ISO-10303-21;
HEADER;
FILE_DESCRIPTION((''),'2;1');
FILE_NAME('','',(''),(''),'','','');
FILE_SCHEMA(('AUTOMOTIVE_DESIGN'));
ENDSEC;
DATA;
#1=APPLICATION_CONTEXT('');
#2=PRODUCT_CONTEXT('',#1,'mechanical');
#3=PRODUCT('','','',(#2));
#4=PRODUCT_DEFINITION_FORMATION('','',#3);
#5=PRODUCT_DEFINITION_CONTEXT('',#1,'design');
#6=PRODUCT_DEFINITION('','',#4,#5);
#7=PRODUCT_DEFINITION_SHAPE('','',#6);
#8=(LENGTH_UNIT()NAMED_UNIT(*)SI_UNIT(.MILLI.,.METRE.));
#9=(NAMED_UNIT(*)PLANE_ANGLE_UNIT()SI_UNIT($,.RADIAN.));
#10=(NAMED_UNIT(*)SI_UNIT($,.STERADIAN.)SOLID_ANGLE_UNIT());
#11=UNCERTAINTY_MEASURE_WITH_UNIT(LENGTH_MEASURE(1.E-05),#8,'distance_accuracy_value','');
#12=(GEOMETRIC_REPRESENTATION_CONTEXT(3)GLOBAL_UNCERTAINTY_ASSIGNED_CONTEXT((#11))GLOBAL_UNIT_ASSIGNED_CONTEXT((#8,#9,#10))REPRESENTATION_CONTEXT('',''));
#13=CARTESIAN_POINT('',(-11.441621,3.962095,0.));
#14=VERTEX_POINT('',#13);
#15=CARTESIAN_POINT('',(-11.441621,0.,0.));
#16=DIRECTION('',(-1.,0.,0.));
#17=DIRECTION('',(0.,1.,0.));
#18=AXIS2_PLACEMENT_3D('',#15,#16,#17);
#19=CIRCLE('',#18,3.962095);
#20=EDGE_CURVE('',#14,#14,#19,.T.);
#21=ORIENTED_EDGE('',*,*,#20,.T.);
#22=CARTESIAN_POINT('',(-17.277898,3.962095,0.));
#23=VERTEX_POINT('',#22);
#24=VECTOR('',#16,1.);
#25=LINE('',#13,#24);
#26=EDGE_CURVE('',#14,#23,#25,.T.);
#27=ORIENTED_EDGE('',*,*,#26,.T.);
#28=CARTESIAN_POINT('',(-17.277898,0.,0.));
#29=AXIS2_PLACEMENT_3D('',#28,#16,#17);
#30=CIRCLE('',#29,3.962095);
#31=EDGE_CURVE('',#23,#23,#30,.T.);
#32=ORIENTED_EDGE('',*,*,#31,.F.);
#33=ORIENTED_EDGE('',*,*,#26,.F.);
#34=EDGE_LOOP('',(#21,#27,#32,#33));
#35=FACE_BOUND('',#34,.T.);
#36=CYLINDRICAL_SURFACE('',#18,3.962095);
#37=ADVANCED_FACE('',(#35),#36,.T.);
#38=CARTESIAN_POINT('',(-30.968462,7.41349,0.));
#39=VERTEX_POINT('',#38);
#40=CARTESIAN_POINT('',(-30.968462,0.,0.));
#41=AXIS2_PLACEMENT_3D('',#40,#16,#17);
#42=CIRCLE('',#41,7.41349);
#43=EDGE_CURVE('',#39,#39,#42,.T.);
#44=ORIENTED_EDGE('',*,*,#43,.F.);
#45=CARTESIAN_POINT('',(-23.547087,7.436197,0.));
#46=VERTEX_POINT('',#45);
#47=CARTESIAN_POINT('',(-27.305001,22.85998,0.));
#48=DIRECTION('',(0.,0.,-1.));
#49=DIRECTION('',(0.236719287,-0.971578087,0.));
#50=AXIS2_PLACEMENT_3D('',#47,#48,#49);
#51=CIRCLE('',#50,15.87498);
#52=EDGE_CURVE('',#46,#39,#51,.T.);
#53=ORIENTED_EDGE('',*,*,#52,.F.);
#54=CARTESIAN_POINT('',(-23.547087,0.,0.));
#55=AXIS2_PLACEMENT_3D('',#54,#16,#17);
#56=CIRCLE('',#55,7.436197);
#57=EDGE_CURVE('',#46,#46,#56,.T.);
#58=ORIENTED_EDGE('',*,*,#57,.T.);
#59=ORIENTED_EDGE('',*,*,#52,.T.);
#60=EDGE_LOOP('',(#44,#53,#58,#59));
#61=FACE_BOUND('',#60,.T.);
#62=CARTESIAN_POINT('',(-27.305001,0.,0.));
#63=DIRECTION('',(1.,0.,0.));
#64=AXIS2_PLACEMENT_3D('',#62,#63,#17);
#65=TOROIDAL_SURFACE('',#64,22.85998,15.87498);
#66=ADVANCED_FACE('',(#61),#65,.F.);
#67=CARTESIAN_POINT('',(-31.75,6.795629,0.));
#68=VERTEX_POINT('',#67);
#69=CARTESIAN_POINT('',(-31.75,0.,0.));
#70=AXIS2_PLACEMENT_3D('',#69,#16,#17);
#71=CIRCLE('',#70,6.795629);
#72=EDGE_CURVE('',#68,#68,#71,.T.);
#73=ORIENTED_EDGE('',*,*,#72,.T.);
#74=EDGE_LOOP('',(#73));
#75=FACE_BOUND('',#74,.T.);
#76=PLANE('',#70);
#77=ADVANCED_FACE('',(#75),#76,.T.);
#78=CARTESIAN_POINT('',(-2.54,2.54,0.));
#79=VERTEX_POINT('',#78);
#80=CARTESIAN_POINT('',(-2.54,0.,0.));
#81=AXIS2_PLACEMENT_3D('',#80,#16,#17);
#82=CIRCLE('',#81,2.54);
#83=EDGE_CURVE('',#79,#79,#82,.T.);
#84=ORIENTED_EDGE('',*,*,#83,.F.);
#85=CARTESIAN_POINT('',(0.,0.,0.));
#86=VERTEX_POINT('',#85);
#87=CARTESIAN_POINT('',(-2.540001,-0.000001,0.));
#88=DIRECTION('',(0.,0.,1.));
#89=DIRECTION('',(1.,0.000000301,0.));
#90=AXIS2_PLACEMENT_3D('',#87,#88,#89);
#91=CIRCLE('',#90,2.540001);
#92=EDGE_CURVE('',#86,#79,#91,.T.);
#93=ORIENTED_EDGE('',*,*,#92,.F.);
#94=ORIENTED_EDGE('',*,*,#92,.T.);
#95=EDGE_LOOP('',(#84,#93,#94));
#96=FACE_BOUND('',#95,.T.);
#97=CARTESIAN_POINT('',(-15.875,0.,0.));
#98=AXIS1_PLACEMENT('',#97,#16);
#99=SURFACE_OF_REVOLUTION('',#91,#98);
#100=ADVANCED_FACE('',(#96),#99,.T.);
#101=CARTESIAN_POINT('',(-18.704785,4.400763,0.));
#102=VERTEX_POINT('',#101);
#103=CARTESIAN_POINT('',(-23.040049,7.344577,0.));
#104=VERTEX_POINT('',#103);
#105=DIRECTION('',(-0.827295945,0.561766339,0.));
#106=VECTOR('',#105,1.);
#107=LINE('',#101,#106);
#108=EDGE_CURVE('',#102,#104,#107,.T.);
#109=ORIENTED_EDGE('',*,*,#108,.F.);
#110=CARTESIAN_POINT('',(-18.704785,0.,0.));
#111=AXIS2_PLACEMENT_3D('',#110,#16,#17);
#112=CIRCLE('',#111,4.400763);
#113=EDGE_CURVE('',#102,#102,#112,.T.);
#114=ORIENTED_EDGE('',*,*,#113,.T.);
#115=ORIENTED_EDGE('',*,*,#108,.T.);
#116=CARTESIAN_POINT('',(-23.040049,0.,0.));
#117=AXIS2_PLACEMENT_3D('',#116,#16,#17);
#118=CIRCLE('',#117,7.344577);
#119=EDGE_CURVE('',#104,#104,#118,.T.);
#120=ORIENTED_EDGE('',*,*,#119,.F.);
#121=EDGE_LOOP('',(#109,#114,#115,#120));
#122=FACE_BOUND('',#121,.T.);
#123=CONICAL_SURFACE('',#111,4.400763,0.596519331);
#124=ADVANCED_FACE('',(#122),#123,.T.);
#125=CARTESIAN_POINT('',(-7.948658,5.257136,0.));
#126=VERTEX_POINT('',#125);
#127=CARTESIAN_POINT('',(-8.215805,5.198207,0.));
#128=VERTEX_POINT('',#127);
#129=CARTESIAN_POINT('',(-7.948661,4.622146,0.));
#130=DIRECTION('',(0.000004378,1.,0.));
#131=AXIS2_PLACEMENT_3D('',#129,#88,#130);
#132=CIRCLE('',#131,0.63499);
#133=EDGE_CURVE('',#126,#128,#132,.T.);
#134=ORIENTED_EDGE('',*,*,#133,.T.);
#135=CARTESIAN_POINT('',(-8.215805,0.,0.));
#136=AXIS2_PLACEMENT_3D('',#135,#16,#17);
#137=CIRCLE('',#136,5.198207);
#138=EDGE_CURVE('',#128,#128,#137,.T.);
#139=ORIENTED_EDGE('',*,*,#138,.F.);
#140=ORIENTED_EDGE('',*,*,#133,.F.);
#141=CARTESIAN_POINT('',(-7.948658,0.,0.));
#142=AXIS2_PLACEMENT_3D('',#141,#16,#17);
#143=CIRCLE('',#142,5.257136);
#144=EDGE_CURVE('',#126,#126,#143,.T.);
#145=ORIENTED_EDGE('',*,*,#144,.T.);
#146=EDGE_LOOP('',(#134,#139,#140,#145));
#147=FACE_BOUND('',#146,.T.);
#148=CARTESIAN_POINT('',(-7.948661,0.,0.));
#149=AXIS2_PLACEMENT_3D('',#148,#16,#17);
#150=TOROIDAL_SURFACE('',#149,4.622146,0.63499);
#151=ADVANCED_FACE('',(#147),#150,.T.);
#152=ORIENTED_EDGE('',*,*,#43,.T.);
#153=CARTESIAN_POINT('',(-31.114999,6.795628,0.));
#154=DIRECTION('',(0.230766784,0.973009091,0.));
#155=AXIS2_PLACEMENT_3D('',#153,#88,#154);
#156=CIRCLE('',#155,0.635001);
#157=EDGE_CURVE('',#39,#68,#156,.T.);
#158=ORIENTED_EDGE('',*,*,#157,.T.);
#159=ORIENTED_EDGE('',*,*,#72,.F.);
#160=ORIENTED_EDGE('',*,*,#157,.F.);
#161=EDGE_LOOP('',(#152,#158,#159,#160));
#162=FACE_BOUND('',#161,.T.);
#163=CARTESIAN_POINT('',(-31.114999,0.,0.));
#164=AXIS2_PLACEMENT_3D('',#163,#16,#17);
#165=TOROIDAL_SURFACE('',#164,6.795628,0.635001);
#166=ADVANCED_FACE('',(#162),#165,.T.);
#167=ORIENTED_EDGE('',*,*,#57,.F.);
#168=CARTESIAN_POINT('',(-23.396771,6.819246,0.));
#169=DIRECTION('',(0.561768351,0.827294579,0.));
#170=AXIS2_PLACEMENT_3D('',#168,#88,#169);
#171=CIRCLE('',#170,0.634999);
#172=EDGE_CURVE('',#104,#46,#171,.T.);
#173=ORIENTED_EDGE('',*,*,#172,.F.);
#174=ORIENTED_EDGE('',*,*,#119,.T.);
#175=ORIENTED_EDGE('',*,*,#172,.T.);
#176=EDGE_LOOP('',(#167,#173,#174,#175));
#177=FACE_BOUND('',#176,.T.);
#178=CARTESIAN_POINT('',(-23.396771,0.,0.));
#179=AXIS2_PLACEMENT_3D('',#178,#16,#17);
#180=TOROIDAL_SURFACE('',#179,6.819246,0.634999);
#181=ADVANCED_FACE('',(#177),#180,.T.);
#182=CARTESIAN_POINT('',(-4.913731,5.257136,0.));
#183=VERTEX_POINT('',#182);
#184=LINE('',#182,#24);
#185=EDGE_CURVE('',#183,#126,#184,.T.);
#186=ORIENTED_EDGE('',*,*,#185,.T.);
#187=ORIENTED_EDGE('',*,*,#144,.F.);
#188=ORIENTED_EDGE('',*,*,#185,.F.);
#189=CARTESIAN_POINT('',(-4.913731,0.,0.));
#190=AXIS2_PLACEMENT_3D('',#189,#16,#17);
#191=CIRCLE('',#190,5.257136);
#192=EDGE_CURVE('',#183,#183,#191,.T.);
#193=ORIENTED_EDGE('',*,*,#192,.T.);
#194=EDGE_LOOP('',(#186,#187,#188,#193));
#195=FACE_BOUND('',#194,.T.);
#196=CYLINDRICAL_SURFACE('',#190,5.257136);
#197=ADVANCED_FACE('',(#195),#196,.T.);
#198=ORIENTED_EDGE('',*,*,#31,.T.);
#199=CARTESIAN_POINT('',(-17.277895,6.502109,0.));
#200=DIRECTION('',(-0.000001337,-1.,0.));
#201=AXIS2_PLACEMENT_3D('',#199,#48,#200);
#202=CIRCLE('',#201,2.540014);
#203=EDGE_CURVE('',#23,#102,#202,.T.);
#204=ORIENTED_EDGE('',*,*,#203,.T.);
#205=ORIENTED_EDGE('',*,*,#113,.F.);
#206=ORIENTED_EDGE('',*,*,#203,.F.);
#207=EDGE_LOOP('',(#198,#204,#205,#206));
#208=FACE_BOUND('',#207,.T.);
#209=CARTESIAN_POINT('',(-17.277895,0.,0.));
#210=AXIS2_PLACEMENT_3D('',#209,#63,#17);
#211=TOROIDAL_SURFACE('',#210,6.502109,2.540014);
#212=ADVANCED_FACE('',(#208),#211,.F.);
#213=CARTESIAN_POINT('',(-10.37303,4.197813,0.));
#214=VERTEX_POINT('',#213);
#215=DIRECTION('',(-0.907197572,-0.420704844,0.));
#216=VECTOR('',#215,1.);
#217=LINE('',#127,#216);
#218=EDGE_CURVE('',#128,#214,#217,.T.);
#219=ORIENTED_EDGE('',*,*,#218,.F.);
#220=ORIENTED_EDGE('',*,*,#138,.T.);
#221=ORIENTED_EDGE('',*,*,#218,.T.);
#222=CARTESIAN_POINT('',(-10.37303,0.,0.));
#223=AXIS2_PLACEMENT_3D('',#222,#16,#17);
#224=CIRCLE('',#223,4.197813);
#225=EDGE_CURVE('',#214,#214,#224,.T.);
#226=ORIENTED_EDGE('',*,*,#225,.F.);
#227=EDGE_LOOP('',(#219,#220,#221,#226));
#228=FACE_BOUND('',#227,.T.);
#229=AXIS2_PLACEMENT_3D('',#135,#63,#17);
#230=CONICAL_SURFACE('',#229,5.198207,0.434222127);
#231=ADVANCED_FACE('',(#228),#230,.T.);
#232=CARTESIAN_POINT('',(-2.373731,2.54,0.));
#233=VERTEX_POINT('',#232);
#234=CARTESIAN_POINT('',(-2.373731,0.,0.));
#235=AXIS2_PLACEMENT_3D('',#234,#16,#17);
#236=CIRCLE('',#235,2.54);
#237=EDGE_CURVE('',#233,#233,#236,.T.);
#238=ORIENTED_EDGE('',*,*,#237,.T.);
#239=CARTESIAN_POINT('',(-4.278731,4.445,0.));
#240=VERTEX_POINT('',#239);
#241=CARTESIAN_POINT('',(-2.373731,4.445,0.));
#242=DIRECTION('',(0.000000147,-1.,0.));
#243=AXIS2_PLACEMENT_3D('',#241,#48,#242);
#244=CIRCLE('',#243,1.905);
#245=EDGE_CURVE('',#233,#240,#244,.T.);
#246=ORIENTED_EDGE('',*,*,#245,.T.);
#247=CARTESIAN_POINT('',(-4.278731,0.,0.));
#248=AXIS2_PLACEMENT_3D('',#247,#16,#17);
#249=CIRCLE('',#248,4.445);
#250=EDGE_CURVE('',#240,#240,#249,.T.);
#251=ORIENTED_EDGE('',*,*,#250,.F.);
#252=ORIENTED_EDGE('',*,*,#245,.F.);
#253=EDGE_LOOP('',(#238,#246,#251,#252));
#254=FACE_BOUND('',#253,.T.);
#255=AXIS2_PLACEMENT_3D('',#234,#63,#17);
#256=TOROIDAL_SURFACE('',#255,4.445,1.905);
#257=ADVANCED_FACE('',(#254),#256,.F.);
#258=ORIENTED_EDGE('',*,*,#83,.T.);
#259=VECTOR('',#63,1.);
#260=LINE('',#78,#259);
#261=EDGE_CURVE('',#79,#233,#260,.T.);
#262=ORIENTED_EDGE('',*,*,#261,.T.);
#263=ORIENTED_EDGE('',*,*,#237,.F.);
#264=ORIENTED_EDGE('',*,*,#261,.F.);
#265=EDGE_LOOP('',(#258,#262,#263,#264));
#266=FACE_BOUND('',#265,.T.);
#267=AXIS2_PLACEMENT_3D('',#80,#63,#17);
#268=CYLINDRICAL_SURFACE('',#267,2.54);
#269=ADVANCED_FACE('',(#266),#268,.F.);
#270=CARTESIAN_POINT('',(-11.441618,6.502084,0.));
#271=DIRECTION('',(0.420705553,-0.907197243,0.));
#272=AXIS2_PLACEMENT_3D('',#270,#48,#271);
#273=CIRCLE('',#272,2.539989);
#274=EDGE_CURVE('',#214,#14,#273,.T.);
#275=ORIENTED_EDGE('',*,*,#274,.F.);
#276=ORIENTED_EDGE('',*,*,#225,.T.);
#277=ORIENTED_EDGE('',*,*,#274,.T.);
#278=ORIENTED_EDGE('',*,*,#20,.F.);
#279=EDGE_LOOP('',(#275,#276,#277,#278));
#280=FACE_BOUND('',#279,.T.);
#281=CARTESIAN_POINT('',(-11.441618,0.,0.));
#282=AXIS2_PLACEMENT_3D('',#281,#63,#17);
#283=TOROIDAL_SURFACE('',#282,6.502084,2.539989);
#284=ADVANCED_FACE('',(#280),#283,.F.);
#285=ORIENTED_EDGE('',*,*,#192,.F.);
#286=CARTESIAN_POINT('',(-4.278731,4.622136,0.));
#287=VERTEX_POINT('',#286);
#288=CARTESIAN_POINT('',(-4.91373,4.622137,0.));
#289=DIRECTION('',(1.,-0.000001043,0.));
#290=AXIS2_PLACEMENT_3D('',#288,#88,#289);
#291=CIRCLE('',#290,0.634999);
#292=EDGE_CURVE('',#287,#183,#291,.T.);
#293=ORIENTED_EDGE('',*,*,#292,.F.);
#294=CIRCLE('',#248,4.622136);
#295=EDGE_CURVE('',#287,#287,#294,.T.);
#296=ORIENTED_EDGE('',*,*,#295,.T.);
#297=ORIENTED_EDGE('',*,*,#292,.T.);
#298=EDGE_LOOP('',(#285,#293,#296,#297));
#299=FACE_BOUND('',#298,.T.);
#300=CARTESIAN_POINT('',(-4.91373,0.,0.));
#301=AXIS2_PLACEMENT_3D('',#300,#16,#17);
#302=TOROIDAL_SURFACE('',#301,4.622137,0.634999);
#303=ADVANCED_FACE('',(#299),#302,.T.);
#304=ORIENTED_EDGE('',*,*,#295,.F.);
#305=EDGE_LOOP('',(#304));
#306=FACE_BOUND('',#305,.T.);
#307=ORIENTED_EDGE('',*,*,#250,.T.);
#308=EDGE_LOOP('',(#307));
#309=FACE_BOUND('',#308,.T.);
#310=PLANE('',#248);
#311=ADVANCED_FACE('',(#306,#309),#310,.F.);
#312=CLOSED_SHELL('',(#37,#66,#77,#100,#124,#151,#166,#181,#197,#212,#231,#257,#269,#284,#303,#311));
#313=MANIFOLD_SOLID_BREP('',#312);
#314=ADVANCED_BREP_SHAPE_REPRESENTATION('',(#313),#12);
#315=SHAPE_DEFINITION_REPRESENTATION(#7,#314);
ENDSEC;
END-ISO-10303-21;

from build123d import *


with BuildPart() as f1:
    # F0 (on Top) → F1 (revolve)
    with BuildSketch(Plane.XY):
        with BuildLine():
            Line((-31.75, 0), (0, 0))
            ThreePointArc((0, 0), (-0.743949, 1.796051), (-2.54, 2.54))
            Line((-2.54, 2.54), (-2.373731, 2.54))
            ThreePointArc((-2.373731, 2.54), (-3.72077, 3.097962), (-4.278731, 4.445))
            Line((-4.278731, 4.445), (-4.278731, 4.622136))
            ThreePointArc((-4.278731, 4.622136), (-4.464718, 5.071149), (-4.913731, 5.257136))
            Line((-4.913731, 5.257136), (-7.948658, 5.257136))
            ThreePointArc((-7.948658, 5.257136), (-8.085443, 5.242229), (-8.215805, 5.198207))
            Line((-8.215805, 5.198207), (-10.37303, 4.197813))
            ThreePointArc((-10.37303, 4.197813), (-10.894481, 4.021724), (-11.441621, 3.962095))
            Line((-11.441621, 3.962095), (-17.277898, 3.962095))
            ThreePointArc((-17.277898, 3.962095), (-18.024295, 4.074238), (-18.704785, 4.400763))
            Line((-18.704785, 4.400763), (-23.040049, 7.344577))
            ThreePointArc((-23.040049, 7.344577), (-23.283857, 7.444125), (-23.547087, 7.436197))
            ThreePointArc((-23.547087, 7.436197), (-27.256429, 6.985074), (-30.968462, 7.41349))
            ThreePointArc((-30.968462, 7.41349), (-31.50881, 7.293764), (-31.75, 6.795629))
            Line((-31.75, 6.795629), (-31.75, 0))
        make_face()
    revolve(axis=Axis((-15.875, 0, 0), (-1, 0, 0)))


solid = f1.part
